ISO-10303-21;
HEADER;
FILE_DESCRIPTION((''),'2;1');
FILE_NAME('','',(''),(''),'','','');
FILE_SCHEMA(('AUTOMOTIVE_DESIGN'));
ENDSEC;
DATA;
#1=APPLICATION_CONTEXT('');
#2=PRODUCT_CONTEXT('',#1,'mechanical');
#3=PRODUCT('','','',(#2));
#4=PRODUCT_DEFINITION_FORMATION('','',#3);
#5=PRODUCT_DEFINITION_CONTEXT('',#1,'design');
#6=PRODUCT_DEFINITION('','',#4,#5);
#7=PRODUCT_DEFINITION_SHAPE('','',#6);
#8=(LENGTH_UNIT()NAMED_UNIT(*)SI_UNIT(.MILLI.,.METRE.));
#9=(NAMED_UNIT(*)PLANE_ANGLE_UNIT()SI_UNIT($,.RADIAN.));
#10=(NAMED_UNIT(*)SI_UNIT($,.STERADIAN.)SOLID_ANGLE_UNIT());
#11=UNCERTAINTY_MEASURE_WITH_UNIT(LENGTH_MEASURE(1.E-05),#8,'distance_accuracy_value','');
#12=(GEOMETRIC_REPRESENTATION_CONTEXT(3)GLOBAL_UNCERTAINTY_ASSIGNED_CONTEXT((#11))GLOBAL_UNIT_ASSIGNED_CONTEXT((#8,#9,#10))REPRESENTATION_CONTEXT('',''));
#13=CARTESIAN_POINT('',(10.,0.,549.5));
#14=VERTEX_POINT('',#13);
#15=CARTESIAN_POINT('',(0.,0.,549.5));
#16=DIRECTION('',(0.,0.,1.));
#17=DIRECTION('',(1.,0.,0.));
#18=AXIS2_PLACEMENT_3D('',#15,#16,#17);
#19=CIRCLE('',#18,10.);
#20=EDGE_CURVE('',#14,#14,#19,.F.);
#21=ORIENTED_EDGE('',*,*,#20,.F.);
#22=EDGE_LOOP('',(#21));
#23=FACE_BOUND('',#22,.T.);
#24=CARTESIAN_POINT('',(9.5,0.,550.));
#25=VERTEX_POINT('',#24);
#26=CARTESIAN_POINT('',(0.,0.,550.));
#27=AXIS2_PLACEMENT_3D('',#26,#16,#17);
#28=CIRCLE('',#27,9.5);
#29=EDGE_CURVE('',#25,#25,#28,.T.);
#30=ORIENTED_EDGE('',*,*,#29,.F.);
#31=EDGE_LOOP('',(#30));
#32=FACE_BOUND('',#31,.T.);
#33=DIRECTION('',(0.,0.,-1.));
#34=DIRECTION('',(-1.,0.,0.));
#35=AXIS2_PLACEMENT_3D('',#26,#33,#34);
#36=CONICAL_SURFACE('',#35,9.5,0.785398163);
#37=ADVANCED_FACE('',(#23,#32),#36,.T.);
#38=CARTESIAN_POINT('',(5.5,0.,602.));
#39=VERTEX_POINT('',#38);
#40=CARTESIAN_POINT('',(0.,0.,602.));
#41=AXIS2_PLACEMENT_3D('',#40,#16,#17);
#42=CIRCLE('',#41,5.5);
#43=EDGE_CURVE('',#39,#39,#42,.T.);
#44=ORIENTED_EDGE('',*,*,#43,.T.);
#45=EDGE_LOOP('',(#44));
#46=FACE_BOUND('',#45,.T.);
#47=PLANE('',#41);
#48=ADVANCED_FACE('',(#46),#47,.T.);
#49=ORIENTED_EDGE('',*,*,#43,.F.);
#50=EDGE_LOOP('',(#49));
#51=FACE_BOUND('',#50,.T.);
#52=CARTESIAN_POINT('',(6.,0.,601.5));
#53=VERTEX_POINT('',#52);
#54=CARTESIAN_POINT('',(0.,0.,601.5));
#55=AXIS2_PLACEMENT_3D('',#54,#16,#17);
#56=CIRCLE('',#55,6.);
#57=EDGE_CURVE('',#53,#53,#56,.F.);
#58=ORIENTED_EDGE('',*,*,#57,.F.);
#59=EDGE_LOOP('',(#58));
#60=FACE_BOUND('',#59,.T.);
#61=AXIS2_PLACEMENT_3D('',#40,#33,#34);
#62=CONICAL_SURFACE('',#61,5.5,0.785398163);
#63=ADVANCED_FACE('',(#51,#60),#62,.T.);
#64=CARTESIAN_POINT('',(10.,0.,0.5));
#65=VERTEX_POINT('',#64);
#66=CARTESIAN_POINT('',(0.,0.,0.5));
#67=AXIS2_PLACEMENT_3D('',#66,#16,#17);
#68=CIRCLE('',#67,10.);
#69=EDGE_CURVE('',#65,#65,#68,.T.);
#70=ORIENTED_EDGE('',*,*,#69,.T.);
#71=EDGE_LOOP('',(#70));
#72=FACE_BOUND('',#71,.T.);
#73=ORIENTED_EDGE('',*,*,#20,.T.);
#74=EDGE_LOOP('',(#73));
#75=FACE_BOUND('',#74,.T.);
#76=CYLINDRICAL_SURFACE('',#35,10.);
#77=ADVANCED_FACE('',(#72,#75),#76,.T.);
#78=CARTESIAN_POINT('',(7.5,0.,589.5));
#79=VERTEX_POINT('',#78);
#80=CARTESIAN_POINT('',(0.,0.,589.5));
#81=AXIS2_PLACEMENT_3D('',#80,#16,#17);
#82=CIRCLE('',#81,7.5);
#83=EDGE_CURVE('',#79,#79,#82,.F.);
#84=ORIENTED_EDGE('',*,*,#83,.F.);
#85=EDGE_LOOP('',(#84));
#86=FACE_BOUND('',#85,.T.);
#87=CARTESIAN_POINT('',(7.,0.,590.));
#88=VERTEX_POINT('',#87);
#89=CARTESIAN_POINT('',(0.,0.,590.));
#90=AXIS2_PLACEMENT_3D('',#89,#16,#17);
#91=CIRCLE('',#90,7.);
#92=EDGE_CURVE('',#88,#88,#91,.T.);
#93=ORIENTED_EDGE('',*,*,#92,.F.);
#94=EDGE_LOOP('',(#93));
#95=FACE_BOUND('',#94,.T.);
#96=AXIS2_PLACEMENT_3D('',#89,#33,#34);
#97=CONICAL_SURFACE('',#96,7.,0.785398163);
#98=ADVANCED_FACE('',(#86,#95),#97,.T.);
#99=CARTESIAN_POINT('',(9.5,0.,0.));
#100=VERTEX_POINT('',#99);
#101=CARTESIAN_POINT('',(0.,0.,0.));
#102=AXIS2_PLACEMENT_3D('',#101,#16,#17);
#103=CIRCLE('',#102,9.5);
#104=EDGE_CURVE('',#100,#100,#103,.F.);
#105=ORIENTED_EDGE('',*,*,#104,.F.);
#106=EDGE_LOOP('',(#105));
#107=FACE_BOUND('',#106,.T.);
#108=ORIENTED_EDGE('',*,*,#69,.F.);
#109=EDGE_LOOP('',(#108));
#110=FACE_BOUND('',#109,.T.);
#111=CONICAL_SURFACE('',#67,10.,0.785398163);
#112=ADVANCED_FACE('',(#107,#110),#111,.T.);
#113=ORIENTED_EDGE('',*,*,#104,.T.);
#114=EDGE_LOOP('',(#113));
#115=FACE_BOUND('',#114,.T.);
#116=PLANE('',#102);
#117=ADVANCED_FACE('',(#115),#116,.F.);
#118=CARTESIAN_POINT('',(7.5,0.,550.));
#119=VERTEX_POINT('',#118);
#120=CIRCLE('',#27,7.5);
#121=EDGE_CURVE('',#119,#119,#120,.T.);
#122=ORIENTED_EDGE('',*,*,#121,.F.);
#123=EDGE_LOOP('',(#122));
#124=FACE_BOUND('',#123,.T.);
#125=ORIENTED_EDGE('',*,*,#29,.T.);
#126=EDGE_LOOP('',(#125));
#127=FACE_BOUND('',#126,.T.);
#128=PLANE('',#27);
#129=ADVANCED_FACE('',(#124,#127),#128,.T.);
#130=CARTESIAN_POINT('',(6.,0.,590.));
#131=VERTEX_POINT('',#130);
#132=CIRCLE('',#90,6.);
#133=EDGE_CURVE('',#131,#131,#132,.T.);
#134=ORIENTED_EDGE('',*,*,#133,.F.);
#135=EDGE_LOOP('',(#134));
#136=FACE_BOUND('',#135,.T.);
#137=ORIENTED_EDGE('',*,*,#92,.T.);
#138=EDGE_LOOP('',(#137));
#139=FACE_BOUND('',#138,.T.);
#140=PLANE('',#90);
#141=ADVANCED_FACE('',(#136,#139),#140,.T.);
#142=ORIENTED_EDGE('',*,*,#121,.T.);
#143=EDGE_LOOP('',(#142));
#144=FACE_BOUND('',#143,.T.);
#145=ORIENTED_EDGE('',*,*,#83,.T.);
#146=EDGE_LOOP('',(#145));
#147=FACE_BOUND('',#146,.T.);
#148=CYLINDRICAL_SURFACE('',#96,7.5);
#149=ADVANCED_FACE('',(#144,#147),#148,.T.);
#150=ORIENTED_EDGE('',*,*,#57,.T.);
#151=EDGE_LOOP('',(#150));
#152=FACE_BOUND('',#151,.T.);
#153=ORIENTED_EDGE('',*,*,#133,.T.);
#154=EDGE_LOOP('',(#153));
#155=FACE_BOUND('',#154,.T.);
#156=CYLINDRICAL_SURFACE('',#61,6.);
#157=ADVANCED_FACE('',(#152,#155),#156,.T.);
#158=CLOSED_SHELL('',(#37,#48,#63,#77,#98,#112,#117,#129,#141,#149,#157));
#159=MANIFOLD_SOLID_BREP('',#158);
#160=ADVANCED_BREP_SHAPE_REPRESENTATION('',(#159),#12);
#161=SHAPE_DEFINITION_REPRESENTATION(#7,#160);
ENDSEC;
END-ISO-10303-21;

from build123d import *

# Parameters (mm, degrees)
SKETCH1_R           = 10
BOSS_EXTRUDE1_DEPTH = 550
SKETCH4_R           = 7.5
BOSS_EXTRUDE2_DEPTH = 40
SKETCH5_R           = 6
BOSS_EXTRUDE3_DEPTH = 12
CHAMFER1_SIZE       = 0.5


with BuildPart() as part:
    # Sketch1 → Boss-Extrude1 (new body)
    with BuildSketch(Plane.XY):
        Circle(SKETCH1_R)
    extrude(amount=BOSS_EXTRUDE1_DEPTH)

    # Sketch4 → Boss-Extrude2 (add)
    with BuildSketch(Plane.XY.offset(550)):
        Circle(SKETCH4_R)
    extrude(amount=BOSS_EXTRUDE2_DEPTH)

    # Sketch5 → Boss-Extrude3 (add)
    with BuildSketch(Plane.XY.offset(590)):
        Circle(SKETCH5_R)
    extrude(amount=BOSS_EXTRUDE3_DEPTH)

    # Chamfer1
    chamfer1_edges = [part.edges().sort_by_distance(p)[0] for p in [
        (-6, 0, 602),
        (-10, 0, 0),
        (-10, 0, 550),
        (-7.5, 0, 590),
    ]]
    chamfer(chamfer1_edges, length=CHAMFER1_SIZE)


solid = part.part
